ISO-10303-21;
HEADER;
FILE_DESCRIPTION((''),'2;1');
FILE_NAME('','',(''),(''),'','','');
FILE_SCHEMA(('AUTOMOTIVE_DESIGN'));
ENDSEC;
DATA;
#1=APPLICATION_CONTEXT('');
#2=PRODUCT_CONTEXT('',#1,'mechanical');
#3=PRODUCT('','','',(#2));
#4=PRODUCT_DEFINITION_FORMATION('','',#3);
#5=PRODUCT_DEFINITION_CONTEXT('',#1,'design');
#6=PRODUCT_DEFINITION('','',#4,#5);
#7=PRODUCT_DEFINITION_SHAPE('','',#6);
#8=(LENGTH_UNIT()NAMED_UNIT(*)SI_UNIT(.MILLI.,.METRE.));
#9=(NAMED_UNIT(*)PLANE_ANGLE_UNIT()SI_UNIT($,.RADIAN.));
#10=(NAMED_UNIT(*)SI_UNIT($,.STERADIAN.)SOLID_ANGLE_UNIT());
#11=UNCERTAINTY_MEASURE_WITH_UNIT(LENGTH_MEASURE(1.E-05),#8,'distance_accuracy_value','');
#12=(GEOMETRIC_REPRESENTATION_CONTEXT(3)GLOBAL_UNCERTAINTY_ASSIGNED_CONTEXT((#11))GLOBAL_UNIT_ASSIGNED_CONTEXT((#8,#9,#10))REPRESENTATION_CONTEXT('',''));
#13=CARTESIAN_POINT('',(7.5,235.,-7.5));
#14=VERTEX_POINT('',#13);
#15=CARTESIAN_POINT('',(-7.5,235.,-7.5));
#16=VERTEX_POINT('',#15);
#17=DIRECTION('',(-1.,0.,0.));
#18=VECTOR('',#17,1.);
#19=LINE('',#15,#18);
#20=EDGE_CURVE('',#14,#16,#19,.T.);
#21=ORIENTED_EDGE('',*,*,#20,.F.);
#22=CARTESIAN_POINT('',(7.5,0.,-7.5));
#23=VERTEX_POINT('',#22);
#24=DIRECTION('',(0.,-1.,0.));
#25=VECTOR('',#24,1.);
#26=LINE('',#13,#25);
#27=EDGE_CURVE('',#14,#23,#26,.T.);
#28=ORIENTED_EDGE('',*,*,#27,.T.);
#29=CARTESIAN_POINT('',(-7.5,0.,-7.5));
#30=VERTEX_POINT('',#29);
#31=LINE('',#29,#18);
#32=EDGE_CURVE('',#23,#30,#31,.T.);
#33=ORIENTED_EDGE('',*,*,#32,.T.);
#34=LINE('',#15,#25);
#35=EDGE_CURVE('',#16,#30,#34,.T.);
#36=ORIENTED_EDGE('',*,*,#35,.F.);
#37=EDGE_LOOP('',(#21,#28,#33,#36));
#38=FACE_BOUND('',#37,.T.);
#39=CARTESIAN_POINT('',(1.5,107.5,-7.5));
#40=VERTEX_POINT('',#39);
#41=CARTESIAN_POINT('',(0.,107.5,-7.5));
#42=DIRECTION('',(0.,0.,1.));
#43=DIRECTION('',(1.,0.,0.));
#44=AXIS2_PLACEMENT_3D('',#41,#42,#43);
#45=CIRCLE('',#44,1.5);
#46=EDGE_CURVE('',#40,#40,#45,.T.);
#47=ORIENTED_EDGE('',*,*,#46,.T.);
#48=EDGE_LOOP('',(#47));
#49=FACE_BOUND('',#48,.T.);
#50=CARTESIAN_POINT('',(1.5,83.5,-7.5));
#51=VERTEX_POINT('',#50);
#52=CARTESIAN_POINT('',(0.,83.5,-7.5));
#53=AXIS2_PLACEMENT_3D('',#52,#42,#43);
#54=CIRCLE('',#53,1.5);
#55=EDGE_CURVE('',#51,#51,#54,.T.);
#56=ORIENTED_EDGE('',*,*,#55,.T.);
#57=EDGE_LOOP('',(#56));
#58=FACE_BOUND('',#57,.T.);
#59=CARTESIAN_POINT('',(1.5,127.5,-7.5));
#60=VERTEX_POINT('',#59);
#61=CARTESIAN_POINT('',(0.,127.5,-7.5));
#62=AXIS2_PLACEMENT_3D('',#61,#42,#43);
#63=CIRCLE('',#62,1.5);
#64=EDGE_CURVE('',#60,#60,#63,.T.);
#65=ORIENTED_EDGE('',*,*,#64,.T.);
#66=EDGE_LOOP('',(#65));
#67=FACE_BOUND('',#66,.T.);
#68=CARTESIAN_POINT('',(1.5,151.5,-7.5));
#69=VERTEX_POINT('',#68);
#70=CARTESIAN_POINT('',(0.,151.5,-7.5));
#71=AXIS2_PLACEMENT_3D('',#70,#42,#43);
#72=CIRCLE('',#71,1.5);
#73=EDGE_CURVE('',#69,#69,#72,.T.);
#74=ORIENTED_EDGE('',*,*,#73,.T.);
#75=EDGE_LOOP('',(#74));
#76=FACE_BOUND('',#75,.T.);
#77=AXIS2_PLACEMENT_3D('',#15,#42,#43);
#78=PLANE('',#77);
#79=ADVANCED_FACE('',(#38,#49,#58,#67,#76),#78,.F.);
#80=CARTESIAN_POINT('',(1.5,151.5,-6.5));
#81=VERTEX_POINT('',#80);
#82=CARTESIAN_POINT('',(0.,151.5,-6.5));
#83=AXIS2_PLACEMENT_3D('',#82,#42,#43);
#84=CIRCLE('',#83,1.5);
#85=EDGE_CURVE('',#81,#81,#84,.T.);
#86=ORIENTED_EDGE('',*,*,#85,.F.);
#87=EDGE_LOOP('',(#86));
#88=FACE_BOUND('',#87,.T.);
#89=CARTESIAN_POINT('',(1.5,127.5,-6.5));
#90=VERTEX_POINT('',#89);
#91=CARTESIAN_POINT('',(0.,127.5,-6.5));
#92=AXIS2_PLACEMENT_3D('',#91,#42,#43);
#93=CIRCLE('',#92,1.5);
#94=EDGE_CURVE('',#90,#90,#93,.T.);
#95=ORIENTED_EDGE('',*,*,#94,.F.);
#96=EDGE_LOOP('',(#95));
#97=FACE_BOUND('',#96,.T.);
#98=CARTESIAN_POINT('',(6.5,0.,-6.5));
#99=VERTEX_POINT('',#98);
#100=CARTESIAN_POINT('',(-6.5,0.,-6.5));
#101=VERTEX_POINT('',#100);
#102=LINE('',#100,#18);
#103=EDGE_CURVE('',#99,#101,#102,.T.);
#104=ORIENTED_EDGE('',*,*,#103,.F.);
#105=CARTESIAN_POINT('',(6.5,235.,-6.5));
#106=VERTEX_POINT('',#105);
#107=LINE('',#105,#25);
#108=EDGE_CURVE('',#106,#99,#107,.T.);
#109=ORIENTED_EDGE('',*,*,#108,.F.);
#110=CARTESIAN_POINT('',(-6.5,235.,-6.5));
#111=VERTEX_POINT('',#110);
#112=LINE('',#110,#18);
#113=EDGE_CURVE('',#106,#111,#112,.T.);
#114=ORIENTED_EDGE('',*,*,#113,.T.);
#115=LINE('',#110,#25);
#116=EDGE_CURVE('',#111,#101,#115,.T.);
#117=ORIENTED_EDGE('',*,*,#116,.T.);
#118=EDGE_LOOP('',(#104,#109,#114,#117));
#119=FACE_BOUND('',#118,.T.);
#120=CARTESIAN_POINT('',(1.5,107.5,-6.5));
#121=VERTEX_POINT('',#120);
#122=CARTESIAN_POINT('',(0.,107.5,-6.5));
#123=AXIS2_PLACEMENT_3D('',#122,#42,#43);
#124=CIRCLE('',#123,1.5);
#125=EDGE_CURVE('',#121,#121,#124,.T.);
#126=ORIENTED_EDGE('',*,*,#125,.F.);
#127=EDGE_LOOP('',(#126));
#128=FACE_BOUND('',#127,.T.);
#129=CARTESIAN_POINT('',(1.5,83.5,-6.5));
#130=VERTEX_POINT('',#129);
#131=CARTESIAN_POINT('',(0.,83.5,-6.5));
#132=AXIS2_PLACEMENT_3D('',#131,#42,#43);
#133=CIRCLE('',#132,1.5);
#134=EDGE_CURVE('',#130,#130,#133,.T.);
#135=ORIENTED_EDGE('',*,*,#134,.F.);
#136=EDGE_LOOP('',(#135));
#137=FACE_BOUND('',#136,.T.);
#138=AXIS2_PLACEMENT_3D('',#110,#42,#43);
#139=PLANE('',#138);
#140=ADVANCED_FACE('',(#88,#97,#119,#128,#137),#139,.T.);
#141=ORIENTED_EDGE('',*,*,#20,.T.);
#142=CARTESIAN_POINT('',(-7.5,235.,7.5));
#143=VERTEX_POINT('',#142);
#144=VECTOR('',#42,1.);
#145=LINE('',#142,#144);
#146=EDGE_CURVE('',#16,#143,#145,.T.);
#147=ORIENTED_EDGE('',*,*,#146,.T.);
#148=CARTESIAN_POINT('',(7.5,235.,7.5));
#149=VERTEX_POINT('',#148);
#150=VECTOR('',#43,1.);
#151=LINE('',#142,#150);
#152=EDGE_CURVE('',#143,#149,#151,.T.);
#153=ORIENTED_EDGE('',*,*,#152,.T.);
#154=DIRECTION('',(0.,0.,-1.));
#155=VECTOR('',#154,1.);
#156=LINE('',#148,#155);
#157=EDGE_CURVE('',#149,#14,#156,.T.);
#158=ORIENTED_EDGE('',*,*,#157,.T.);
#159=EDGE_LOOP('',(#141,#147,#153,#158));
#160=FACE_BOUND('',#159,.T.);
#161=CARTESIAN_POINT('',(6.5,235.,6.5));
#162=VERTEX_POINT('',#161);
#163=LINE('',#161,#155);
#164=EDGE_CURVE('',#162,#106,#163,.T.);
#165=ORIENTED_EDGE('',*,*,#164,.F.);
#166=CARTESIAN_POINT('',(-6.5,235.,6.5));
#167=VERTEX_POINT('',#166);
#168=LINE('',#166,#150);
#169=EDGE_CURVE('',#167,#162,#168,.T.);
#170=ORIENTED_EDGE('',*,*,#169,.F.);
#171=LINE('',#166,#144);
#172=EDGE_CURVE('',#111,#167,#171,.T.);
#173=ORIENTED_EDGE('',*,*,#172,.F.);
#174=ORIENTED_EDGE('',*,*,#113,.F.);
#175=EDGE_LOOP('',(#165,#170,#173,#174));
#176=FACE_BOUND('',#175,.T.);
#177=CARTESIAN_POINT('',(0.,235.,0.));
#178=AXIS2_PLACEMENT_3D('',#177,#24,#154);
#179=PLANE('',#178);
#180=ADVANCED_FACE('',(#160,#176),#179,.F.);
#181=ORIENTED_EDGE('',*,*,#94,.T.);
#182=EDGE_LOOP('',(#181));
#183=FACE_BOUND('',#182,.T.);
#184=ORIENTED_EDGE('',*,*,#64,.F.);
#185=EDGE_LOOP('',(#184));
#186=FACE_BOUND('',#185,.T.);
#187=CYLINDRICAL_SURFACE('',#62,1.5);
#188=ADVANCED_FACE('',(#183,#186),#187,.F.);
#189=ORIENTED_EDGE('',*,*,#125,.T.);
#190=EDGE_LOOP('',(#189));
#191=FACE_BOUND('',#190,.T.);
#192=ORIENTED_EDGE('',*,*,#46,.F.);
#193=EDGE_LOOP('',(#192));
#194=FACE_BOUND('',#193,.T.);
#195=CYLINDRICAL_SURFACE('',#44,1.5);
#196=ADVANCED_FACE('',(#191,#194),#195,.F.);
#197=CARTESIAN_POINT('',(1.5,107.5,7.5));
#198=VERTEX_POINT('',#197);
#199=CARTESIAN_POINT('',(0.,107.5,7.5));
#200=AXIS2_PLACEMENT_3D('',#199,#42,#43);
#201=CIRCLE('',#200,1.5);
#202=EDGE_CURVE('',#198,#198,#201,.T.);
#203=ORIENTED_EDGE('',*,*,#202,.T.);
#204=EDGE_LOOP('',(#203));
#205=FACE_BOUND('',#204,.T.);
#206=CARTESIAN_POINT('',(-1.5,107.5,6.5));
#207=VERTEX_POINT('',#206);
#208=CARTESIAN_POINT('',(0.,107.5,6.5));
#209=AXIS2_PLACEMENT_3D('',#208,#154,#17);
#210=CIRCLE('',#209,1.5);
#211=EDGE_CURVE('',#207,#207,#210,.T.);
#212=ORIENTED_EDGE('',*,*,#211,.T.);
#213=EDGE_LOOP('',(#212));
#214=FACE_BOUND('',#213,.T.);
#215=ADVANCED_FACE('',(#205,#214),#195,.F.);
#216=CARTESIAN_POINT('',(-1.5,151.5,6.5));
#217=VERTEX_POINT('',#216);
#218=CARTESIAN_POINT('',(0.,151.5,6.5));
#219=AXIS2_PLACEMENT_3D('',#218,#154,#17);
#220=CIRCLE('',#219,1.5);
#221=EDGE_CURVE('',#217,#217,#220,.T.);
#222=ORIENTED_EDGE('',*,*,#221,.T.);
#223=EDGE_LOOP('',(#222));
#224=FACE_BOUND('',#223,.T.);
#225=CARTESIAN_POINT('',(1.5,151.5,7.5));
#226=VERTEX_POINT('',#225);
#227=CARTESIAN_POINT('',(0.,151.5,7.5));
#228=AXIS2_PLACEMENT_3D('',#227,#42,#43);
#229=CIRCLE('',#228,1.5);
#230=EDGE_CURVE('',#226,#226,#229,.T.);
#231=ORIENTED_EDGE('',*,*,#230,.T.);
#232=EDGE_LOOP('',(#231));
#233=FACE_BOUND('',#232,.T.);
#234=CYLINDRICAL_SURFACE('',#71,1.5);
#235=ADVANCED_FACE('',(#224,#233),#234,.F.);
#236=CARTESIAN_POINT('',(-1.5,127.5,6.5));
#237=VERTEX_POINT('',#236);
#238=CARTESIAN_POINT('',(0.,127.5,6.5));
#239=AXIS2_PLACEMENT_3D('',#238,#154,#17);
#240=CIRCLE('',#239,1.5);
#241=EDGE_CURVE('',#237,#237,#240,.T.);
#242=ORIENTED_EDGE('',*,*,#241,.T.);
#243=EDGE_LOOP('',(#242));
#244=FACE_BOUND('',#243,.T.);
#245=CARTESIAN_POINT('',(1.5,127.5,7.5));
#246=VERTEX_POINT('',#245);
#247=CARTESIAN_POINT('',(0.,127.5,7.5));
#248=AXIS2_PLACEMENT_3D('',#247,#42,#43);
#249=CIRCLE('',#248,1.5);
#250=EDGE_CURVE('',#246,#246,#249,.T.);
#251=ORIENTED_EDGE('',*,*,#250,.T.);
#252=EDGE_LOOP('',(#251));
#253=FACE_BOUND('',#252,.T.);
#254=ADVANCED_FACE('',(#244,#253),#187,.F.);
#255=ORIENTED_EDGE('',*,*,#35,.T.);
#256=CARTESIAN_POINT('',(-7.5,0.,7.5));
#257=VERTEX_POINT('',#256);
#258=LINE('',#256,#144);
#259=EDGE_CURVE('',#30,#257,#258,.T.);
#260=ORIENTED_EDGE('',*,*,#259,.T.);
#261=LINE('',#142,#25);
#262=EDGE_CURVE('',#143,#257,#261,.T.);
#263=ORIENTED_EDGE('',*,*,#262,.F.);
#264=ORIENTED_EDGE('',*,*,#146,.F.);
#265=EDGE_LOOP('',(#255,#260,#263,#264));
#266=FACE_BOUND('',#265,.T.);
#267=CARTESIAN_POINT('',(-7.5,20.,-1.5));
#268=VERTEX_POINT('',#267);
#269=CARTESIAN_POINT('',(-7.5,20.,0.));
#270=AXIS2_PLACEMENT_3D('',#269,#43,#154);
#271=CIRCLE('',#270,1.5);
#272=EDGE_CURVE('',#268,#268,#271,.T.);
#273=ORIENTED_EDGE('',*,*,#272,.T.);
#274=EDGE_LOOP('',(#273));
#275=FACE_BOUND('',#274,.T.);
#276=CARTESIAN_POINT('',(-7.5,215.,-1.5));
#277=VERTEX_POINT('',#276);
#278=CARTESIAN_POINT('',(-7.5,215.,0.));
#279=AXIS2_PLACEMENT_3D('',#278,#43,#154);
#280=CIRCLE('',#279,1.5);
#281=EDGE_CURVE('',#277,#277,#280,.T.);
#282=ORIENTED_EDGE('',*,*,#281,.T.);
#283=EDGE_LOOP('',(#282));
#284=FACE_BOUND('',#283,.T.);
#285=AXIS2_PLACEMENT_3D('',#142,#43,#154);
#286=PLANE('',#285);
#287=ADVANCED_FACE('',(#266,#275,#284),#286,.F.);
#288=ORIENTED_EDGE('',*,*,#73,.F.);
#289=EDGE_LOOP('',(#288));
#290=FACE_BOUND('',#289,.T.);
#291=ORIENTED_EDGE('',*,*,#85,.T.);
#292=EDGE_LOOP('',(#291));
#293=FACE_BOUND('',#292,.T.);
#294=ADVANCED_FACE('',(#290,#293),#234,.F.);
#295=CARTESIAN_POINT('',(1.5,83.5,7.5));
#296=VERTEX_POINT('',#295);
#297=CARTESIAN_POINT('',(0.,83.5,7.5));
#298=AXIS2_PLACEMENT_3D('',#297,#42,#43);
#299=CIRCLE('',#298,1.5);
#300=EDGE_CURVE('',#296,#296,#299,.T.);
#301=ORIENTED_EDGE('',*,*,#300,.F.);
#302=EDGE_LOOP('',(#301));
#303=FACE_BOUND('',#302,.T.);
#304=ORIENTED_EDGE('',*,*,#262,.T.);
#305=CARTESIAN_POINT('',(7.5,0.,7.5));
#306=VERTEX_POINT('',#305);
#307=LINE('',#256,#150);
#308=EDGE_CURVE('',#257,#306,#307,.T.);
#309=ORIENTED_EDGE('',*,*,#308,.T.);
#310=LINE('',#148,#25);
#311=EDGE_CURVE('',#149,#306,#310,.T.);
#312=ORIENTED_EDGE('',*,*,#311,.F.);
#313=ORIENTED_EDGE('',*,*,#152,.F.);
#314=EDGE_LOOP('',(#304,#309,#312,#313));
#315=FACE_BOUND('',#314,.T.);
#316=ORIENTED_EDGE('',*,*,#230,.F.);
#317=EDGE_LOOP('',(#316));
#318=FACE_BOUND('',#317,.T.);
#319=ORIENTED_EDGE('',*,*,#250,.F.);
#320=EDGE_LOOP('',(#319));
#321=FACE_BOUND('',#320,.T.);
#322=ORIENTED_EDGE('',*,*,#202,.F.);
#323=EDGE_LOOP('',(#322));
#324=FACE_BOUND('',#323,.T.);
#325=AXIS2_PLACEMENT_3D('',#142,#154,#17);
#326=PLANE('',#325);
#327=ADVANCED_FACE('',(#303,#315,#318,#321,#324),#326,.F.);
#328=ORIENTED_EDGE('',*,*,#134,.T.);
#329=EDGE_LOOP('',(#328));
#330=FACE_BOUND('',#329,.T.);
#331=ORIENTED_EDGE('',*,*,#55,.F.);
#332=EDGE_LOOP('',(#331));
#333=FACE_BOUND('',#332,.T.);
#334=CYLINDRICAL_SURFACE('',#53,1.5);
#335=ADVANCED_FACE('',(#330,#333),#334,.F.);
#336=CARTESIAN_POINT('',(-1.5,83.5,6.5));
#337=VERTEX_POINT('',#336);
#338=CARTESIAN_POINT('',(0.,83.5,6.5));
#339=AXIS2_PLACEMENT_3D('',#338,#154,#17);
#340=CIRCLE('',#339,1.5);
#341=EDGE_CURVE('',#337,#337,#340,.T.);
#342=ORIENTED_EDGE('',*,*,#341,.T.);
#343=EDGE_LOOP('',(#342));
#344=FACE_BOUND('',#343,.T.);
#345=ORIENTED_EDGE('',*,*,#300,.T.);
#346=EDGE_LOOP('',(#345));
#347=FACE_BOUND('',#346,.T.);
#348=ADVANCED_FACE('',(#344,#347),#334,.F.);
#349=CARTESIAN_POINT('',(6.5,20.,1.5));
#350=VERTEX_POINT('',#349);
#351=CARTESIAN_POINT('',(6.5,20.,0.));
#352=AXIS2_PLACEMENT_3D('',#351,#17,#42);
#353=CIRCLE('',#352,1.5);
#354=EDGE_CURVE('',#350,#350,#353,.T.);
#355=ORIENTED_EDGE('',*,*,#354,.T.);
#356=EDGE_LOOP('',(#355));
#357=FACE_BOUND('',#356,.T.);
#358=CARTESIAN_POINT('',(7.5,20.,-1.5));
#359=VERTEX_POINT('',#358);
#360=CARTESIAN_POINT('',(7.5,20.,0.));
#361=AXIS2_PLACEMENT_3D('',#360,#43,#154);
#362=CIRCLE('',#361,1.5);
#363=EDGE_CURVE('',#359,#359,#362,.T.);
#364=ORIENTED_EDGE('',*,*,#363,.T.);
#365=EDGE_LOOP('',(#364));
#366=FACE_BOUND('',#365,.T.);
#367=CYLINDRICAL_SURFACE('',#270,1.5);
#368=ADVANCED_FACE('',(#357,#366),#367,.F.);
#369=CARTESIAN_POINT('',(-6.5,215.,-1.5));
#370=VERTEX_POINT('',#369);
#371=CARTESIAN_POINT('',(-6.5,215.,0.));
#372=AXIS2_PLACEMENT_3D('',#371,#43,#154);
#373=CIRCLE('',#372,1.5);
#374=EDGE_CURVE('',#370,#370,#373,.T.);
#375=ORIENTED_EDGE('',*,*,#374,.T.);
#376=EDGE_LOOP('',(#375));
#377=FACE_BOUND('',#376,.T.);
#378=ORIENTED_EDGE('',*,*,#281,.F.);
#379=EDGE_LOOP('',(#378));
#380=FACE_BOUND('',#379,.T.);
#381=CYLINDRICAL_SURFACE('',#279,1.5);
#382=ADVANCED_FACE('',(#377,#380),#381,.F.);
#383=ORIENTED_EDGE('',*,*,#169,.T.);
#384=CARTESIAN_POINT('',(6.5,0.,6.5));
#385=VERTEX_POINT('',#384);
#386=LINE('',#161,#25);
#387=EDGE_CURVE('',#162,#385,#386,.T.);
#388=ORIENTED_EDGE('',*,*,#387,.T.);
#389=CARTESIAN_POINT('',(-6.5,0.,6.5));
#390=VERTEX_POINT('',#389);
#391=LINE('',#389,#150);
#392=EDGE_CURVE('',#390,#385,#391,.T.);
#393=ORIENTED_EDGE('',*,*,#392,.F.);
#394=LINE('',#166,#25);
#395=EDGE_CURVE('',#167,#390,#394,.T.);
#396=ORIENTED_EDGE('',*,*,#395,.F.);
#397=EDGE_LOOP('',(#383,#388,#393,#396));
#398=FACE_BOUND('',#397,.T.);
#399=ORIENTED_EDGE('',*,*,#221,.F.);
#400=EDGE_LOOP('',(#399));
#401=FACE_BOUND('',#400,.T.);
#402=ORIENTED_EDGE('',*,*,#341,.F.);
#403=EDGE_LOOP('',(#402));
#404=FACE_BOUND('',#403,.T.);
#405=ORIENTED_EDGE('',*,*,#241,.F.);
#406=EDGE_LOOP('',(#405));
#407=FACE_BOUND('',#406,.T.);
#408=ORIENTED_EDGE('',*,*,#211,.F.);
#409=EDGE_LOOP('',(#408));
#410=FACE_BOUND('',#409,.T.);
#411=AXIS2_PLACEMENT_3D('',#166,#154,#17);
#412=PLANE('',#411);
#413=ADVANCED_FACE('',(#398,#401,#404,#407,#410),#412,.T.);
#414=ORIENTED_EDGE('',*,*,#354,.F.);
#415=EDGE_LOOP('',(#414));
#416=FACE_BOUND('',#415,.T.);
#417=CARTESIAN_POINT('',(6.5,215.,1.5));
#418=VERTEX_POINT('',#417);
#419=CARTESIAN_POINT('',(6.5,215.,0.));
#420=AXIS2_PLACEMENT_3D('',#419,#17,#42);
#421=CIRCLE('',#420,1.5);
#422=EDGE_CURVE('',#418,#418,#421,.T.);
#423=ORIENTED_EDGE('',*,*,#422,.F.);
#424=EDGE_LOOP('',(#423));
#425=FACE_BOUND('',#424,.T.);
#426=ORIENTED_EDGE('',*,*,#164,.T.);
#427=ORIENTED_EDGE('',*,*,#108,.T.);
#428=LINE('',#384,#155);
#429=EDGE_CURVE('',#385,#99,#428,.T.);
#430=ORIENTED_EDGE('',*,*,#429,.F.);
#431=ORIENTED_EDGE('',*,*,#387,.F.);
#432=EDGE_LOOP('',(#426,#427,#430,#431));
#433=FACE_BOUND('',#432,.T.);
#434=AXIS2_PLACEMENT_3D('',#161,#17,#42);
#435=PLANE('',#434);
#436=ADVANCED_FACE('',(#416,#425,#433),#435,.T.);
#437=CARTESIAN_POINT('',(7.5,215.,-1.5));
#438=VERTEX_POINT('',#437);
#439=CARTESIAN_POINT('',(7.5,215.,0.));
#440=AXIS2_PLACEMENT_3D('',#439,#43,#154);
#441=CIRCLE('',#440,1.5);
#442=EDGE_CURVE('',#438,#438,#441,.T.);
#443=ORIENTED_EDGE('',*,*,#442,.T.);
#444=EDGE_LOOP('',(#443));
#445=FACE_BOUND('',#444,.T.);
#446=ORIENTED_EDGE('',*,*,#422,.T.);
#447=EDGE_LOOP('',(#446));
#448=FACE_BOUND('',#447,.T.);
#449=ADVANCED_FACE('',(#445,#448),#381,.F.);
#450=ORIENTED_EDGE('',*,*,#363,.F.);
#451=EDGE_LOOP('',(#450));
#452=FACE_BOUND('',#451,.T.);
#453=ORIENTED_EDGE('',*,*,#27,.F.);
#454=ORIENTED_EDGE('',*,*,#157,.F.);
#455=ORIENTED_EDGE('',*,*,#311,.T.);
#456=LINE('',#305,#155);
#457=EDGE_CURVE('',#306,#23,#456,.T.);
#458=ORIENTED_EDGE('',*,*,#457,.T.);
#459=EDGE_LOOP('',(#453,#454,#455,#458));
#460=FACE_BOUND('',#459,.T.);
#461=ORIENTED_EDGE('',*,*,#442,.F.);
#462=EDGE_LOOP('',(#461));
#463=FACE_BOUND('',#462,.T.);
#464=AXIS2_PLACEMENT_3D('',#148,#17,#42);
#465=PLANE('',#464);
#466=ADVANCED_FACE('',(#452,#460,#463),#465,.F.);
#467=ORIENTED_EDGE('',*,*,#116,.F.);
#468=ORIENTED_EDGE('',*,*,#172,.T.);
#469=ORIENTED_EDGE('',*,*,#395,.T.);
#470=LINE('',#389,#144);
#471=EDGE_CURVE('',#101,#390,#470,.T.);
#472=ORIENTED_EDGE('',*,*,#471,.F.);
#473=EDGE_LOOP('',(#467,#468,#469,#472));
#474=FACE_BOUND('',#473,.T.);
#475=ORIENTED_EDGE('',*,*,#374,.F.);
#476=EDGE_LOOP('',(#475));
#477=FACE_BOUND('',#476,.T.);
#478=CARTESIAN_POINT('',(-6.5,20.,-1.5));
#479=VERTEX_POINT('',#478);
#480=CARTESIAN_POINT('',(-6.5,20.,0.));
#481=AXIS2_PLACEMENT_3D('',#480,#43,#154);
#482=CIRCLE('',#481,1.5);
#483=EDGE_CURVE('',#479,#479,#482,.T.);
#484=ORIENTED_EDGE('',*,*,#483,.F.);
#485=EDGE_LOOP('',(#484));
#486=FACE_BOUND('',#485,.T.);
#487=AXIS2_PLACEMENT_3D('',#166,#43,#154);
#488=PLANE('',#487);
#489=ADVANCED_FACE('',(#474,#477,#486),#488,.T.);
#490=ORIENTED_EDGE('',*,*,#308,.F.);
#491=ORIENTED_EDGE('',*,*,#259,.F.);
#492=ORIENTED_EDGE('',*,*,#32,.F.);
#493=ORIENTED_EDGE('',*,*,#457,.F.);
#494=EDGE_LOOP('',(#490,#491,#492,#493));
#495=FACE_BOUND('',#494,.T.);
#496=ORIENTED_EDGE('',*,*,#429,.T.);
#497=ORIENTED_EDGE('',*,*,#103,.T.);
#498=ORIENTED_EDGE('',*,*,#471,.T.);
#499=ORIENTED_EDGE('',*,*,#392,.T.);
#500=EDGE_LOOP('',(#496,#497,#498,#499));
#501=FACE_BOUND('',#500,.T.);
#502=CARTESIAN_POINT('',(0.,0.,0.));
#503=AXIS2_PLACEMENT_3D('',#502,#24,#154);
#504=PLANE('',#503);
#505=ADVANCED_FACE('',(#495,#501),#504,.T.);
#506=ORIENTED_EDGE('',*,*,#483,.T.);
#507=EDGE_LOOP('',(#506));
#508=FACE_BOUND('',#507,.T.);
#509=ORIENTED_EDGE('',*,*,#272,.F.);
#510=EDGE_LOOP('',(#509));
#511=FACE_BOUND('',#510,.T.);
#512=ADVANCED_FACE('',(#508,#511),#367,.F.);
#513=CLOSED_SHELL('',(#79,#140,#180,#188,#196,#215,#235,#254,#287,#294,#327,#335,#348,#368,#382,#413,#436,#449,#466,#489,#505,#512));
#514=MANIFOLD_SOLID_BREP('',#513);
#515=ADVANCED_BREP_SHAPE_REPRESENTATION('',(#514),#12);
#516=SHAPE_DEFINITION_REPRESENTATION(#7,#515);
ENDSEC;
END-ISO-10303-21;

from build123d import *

# Parameters (mm, degrees)
SKETCH_1_W          = 15
SKETCH_1_H          = 15
SKETCH_1_W_2        = 13
SKETCH_1_H_2        = 13
EXTRUDE_1_DEPTH     = 235
SKETCH_2_R          = 1.5
CUT_EXTRUDE_1_DEPTH = 236.597644301
SKETCH_3_R          = 1.5
CUT_EXTRUDE_2_DEPTH = 236.597644301


with BuildPart() as part:
    # 草图1 → 凸台-拉伸1 (new body)
    with BuildSketch(Plane(origin=(0, 0, 0), x_dir=(1, 0, 0), z_dir=(0, 1, 0))):
        Rectangle(SKETCH_1_W, SKETCH_1_H)
        Rectangle(SKETCH_1_W_2, SKETCH_1_H_2, mode=Mode.SUBTRACT)
    extrude(amount=EXTRUDE_1_DEPTH)

    # 草图2 → 切除-拉伸1 (cut, through all)
    with BuildSketch(Plane.XY.offset(7.5)):
        with Locations((0, 127.5)):
            Circle(SKETCH_2_R)
        with Locations((0, 107.5)):
            Circle(SKETCH_2_R)
        with Locations((0, 151.5)):
            Circle(SKETCH_2_R)
        with Locations((0, 83.5)):
            Circle(SKETCH_2_R)
    extrude(amount=-CUT_EXTRUDE_1_DEPTH, mode=Mode.SUBTRACT)

    # 草图3 → 切除-拉伸2 (cut, through all)
    with BuildSketch(Plane(origin=(7.5, 0, 0), x_dir=(0, 0, -1), z_dir=(1, 0, 0))):
        with Locations((0, 215)):
            Circle(SKETCH_3_R)
        with Locations((0, 20)):
            Circle(SKETCH_3_R)
    extrude(amount=-CUT_EXTRUDE_2_DEPTH, mode=Mode.SUBTRACT)


solid = part.part
